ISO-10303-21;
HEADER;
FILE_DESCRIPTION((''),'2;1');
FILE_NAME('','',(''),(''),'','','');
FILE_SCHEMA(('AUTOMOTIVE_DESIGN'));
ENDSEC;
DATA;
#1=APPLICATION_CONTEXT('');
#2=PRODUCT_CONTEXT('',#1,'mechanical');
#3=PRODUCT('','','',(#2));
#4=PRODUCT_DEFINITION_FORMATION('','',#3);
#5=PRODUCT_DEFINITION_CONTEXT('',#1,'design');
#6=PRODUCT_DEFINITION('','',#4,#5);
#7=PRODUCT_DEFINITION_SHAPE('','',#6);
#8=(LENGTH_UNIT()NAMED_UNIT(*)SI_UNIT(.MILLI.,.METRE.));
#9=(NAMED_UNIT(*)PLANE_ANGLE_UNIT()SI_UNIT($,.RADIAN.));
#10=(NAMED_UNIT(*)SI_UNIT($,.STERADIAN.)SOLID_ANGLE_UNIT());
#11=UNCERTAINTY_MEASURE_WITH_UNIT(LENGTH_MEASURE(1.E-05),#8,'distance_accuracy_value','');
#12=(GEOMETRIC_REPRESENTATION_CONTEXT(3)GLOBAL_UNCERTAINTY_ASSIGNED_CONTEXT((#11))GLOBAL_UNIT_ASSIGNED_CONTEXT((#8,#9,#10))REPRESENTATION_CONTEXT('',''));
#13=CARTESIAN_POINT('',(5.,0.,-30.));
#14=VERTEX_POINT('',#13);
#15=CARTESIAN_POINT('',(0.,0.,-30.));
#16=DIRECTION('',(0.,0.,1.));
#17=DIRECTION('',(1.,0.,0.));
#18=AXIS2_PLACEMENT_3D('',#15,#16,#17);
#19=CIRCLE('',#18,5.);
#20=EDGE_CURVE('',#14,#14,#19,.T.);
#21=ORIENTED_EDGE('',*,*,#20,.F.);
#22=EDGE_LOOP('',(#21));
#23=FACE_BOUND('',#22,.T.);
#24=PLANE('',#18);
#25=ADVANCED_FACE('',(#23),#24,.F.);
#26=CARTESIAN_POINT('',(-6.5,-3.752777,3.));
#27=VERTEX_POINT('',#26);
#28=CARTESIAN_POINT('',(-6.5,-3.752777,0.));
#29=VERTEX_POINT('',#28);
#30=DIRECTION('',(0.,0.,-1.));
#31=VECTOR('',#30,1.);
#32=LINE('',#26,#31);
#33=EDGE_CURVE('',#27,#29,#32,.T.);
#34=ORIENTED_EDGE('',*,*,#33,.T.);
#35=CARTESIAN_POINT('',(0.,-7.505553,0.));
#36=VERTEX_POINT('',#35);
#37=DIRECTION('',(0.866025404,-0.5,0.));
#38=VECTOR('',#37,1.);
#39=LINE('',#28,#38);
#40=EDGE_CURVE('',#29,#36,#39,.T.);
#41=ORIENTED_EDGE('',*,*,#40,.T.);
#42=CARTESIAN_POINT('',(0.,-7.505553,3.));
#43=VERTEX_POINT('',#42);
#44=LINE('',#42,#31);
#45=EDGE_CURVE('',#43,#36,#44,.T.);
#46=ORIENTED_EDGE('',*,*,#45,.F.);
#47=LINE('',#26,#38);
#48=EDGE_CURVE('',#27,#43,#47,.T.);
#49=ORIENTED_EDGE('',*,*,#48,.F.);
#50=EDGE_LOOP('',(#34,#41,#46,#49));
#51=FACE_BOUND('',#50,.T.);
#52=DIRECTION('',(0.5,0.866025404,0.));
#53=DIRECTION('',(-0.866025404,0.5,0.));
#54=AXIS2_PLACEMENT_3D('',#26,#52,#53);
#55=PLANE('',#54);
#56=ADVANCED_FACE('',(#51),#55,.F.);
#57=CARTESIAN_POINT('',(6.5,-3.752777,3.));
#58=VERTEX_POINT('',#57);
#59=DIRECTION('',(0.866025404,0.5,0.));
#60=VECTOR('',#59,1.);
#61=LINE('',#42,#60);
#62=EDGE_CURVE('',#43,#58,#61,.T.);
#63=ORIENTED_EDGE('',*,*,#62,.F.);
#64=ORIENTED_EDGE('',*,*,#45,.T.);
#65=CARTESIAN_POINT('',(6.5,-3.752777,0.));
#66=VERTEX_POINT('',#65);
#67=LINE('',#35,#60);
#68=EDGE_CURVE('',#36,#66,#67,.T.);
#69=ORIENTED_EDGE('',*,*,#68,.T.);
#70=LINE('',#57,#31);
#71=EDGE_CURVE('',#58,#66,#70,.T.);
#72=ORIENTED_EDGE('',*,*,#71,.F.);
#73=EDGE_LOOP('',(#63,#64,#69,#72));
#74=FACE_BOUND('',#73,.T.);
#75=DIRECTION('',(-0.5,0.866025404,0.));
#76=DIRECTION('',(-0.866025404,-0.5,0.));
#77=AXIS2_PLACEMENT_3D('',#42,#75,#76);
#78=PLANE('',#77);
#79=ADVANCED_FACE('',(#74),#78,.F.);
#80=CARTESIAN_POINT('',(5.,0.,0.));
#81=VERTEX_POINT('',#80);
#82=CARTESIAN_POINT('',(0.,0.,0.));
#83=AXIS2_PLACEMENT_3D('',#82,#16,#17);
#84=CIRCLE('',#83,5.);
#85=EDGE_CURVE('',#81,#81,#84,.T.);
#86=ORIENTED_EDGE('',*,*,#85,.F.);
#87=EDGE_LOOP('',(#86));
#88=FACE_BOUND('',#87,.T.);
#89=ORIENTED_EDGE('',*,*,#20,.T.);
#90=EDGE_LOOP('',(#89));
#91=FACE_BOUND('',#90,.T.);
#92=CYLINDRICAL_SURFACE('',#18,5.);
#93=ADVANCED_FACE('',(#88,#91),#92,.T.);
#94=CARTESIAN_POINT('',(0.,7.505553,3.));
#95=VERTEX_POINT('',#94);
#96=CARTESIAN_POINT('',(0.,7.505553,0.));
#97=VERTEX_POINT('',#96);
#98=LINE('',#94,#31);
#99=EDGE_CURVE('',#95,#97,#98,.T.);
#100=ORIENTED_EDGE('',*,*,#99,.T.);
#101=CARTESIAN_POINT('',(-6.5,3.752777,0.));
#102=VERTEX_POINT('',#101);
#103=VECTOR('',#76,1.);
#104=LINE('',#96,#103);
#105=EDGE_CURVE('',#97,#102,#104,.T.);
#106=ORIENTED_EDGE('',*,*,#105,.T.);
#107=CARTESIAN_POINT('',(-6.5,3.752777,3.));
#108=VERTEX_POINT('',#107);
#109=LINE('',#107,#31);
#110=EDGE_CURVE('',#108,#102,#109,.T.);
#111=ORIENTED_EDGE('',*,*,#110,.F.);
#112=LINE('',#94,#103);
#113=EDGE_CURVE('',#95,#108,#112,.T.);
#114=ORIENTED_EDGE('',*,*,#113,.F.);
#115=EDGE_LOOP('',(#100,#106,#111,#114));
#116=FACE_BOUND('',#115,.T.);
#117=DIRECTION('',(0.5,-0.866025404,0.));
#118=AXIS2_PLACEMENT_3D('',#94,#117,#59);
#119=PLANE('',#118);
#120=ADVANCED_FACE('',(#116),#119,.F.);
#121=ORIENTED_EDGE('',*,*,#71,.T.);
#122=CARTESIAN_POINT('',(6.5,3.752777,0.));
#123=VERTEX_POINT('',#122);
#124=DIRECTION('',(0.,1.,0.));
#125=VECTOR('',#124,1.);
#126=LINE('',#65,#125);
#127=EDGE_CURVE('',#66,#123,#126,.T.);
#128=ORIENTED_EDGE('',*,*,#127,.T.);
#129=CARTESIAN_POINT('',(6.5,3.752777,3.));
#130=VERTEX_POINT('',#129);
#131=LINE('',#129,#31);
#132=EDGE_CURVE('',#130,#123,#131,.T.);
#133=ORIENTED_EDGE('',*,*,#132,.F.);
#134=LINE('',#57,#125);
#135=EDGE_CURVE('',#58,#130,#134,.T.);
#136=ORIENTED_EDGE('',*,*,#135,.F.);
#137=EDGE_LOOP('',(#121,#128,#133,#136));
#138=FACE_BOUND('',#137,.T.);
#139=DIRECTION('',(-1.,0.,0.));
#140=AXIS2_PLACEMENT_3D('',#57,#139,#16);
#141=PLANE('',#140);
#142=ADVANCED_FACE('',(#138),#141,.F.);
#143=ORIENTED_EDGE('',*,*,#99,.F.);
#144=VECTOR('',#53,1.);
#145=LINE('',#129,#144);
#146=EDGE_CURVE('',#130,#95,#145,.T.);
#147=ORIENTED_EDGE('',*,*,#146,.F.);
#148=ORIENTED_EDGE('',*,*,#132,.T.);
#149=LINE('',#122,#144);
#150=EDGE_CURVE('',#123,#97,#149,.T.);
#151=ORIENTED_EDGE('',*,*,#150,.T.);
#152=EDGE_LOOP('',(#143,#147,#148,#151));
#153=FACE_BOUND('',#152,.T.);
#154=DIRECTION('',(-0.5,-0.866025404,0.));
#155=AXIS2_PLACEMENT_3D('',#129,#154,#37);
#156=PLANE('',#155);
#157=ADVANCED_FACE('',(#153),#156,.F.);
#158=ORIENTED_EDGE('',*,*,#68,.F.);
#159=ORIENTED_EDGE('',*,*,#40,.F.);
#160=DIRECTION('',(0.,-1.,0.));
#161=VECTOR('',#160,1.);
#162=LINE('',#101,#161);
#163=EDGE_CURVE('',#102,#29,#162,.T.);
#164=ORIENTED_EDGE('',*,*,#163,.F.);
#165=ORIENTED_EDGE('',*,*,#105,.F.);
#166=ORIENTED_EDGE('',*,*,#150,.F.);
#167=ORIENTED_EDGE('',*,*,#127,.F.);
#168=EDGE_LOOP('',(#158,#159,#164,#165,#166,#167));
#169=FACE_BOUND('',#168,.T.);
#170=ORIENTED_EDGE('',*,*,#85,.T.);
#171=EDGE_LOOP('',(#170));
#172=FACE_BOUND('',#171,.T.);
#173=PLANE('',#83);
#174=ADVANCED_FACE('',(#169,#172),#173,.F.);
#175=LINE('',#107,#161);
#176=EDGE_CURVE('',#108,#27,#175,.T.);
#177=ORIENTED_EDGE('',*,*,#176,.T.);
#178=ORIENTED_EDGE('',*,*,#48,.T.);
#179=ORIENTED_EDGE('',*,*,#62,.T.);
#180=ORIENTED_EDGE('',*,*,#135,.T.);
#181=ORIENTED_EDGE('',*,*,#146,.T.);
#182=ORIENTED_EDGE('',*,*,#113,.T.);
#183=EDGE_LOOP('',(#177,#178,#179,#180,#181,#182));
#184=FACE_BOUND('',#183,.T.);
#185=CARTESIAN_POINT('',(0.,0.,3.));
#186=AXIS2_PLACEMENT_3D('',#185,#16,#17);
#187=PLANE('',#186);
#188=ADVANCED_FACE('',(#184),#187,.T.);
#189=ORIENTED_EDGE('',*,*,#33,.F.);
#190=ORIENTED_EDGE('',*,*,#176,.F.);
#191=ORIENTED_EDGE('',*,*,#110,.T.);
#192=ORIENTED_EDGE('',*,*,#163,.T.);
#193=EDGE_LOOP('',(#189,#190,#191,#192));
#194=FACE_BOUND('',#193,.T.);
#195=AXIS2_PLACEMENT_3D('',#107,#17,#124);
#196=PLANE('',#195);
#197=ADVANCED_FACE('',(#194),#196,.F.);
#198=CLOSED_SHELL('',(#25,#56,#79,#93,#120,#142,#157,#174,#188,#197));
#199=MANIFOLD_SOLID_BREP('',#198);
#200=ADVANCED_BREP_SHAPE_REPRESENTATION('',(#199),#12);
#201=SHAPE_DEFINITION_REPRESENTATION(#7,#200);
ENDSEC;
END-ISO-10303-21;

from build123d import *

# Parameters (mm, degrees)
SKETCH1_R           = 5
BOSS_EXTRUDE1_DEPTH = 30
BOSS_EXTRUDE2_DEPTH = 3


with BuildPart() as part:
    # Sketch1 → Boss-Extrude1 (new body)
    with BuildSketch(Plane.XY):
        Circle(SKETCH1_R)
    extrude(amount=-BOSS_EXTRUDE1_DEPTH)

    # Sketch2 → Boss-Extrude2 (add)
    with BuildSketch(Plane.XY):
        Polygon((-6.5, -3.75277675), (0, -7.505553499), (6.5, -3.75277675), (6.5, 3.75277675), (0, 7.505553499), (-6.5, 3.75277675), align=None)
    extrude(amount=BOSS_EXTRUDE2_DEPTH)


solid = part.part
